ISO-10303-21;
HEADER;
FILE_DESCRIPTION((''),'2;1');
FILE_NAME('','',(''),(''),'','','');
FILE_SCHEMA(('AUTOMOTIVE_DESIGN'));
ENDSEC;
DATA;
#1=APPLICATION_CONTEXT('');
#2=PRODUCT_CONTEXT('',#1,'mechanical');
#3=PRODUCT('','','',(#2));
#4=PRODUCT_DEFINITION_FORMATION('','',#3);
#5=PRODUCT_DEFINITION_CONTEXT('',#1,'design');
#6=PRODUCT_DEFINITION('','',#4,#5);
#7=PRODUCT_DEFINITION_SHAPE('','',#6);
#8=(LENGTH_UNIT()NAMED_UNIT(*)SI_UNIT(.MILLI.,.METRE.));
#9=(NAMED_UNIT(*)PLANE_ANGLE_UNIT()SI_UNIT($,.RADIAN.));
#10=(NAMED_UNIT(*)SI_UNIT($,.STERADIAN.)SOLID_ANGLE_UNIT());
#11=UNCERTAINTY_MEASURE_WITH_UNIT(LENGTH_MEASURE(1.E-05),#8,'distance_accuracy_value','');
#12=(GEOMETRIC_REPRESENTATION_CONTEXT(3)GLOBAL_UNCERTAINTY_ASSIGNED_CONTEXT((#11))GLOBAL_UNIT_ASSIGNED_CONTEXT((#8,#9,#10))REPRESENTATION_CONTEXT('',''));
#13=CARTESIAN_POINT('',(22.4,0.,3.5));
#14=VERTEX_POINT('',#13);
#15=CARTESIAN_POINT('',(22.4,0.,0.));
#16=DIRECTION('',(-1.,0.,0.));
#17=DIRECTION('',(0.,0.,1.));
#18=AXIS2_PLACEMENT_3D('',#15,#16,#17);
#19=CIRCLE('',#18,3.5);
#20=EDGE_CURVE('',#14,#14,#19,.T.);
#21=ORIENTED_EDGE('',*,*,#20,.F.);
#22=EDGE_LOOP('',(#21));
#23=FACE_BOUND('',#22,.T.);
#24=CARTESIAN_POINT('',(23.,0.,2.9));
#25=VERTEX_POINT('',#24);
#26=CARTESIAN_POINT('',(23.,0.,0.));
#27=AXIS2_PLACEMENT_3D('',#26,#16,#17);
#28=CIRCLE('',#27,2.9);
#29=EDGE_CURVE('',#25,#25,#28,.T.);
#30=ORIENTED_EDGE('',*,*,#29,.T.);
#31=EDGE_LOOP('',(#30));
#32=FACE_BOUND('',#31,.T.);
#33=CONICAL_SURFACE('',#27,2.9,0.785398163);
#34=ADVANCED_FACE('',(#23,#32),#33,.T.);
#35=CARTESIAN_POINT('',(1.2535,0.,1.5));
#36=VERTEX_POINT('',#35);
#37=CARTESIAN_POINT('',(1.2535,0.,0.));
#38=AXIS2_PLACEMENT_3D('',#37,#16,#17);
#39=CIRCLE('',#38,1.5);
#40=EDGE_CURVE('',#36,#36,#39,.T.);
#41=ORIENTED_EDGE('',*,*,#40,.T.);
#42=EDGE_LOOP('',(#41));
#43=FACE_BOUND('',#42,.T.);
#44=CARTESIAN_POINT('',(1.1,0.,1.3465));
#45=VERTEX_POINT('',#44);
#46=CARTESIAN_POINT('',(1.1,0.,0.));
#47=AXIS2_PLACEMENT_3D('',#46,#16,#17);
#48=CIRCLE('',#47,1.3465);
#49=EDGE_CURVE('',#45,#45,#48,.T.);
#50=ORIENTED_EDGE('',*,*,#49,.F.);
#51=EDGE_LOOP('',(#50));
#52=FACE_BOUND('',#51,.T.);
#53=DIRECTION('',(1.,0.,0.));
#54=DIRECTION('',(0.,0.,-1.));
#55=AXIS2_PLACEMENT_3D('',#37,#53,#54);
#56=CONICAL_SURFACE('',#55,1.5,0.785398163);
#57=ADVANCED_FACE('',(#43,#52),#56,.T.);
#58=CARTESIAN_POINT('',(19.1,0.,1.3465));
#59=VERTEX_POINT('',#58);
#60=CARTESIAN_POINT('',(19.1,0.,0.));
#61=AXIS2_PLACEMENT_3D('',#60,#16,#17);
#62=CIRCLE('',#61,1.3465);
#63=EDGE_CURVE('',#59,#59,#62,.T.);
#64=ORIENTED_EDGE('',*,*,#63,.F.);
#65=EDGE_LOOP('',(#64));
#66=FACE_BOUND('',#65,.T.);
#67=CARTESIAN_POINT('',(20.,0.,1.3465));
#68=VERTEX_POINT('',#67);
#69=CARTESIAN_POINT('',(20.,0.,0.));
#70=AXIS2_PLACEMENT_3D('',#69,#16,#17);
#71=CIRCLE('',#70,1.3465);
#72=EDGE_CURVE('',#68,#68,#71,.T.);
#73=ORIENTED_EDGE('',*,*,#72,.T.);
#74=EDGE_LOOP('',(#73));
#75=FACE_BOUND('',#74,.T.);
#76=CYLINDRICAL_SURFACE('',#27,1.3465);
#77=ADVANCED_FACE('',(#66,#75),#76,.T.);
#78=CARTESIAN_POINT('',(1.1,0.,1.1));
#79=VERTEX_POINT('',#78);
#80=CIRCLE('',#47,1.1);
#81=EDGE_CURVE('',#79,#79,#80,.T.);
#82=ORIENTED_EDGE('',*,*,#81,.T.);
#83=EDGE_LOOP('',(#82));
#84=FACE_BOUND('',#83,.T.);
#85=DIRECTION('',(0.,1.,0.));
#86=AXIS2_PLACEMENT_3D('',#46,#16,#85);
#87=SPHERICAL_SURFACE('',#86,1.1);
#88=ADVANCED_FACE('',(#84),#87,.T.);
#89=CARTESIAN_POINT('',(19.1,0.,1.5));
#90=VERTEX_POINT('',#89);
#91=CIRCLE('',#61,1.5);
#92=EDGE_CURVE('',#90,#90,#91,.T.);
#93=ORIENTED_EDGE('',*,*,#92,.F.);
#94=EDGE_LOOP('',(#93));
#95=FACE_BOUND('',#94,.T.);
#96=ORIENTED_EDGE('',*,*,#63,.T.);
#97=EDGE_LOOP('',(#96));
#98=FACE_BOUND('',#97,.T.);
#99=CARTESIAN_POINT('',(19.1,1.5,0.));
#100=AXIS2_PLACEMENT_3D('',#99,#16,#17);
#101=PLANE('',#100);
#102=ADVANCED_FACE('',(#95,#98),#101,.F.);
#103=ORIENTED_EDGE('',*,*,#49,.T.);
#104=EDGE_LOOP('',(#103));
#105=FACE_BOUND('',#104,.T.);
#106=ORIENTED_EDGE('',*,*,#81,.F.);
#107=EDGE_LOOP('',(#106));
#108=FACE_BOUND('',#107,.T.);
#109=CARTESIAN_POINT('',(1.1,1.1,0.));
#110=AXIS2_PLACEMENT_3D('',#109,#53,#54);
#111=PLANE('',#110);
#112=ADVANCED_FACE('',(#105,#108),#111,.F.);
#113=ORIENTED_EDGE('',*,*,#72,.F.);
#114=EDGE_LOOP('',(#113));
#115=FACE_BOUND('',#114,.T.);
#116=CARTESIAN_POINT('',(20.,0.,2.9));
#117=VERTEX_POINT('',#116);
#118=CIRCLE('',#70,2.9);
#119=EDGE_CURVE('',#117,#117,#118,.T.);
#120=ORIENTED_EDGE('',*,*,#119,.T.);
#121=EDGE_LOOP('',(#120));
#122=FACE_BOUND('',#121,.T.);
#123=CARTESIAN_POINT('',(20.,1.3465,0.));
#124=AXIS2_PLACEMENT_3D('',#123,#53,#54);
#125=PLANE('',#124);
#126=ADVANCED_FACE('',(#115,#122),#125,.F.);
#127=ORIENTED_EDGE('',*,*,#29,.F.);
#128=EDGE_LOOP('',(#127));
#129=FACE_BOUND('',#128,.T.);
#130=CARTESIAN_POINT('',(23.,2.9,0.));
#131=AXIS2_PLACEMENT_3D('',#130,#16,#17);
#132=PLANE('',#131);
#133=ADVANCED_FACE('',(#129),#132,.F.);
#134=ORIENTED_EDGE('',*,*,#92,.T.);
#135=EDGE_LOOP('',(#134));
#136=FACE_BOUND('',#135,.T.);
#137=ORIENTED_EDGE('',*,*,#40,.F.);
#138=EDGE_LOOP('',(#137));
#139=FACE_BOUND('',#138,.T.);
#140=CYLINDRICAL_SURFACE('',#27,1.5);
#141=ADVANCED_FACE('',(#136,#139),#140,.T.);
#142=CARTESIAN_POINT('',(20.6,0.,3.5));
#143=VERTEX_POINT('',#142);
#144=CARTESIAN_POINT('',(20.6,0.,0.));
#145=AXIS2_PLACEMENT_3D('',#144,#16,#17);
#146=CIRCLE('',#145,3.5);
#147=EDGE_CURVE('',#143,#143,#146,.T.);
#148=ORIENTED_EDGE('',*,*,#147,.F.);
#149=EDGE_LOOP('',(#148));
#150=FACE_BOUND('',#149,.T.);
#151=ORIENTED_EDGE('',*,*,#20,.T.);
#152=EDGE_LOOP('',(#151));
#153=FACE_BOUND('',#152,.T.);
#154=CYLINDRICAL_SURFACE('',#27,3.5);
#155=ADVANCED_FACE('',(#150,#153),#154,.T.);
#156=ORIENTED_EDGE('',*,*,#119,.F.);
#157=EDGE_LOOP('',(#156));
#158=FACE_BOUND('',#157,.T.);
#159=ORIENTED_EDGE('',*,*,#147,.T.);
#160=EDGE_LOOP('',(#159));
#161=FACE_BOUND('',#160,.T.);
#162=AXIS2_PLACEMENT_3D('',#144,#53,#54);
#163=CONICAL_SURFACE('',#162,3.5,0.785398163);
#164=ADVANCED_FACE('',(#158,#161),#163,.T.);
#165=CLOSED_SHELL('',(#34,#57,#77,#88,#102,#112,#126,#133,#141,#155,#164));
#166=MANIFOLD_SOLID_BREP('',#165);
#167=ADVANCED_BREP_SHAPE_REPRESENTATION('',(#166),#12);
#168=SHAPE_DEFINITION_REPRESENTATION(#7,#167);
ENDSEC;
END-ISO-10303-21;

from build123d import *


with BuildPart() as part:
    # 草图1 → 旋转1 (revolve)
    with BuildSketch(Plane.XY):
        with BuildLine():
            Line((1.1, 1.1), (1.1, 1.3465))
            Line((1.1, 1.3465), (1.2535, 1.5))
            Line((1.2535, 1.5), (19.1, 1.5))
            Line((19.1, 1.5), (19.1, 1.3465))
            Line((19.1, 1.3465), (20, 1.3465))
            Line((20, 1.3465), (20, 2.9))
            Line((20, 2.9), (20.6, 3.5))
            Line((20.6, 3.5), (22.4, 3.5))
            Line((22.4, 3.5), (23, 2.9))
            Line((23, 2.9), (23, 0))
            Line((23, 0), (0, 0))
            ThreePointArc((0, 0), (0.322182541, 0.777817459), (1.1, 1.1))
        make_face()
    revolve(axis=Axis((23, 0, 0), (-1, 0, 0)))


solid = part.part
